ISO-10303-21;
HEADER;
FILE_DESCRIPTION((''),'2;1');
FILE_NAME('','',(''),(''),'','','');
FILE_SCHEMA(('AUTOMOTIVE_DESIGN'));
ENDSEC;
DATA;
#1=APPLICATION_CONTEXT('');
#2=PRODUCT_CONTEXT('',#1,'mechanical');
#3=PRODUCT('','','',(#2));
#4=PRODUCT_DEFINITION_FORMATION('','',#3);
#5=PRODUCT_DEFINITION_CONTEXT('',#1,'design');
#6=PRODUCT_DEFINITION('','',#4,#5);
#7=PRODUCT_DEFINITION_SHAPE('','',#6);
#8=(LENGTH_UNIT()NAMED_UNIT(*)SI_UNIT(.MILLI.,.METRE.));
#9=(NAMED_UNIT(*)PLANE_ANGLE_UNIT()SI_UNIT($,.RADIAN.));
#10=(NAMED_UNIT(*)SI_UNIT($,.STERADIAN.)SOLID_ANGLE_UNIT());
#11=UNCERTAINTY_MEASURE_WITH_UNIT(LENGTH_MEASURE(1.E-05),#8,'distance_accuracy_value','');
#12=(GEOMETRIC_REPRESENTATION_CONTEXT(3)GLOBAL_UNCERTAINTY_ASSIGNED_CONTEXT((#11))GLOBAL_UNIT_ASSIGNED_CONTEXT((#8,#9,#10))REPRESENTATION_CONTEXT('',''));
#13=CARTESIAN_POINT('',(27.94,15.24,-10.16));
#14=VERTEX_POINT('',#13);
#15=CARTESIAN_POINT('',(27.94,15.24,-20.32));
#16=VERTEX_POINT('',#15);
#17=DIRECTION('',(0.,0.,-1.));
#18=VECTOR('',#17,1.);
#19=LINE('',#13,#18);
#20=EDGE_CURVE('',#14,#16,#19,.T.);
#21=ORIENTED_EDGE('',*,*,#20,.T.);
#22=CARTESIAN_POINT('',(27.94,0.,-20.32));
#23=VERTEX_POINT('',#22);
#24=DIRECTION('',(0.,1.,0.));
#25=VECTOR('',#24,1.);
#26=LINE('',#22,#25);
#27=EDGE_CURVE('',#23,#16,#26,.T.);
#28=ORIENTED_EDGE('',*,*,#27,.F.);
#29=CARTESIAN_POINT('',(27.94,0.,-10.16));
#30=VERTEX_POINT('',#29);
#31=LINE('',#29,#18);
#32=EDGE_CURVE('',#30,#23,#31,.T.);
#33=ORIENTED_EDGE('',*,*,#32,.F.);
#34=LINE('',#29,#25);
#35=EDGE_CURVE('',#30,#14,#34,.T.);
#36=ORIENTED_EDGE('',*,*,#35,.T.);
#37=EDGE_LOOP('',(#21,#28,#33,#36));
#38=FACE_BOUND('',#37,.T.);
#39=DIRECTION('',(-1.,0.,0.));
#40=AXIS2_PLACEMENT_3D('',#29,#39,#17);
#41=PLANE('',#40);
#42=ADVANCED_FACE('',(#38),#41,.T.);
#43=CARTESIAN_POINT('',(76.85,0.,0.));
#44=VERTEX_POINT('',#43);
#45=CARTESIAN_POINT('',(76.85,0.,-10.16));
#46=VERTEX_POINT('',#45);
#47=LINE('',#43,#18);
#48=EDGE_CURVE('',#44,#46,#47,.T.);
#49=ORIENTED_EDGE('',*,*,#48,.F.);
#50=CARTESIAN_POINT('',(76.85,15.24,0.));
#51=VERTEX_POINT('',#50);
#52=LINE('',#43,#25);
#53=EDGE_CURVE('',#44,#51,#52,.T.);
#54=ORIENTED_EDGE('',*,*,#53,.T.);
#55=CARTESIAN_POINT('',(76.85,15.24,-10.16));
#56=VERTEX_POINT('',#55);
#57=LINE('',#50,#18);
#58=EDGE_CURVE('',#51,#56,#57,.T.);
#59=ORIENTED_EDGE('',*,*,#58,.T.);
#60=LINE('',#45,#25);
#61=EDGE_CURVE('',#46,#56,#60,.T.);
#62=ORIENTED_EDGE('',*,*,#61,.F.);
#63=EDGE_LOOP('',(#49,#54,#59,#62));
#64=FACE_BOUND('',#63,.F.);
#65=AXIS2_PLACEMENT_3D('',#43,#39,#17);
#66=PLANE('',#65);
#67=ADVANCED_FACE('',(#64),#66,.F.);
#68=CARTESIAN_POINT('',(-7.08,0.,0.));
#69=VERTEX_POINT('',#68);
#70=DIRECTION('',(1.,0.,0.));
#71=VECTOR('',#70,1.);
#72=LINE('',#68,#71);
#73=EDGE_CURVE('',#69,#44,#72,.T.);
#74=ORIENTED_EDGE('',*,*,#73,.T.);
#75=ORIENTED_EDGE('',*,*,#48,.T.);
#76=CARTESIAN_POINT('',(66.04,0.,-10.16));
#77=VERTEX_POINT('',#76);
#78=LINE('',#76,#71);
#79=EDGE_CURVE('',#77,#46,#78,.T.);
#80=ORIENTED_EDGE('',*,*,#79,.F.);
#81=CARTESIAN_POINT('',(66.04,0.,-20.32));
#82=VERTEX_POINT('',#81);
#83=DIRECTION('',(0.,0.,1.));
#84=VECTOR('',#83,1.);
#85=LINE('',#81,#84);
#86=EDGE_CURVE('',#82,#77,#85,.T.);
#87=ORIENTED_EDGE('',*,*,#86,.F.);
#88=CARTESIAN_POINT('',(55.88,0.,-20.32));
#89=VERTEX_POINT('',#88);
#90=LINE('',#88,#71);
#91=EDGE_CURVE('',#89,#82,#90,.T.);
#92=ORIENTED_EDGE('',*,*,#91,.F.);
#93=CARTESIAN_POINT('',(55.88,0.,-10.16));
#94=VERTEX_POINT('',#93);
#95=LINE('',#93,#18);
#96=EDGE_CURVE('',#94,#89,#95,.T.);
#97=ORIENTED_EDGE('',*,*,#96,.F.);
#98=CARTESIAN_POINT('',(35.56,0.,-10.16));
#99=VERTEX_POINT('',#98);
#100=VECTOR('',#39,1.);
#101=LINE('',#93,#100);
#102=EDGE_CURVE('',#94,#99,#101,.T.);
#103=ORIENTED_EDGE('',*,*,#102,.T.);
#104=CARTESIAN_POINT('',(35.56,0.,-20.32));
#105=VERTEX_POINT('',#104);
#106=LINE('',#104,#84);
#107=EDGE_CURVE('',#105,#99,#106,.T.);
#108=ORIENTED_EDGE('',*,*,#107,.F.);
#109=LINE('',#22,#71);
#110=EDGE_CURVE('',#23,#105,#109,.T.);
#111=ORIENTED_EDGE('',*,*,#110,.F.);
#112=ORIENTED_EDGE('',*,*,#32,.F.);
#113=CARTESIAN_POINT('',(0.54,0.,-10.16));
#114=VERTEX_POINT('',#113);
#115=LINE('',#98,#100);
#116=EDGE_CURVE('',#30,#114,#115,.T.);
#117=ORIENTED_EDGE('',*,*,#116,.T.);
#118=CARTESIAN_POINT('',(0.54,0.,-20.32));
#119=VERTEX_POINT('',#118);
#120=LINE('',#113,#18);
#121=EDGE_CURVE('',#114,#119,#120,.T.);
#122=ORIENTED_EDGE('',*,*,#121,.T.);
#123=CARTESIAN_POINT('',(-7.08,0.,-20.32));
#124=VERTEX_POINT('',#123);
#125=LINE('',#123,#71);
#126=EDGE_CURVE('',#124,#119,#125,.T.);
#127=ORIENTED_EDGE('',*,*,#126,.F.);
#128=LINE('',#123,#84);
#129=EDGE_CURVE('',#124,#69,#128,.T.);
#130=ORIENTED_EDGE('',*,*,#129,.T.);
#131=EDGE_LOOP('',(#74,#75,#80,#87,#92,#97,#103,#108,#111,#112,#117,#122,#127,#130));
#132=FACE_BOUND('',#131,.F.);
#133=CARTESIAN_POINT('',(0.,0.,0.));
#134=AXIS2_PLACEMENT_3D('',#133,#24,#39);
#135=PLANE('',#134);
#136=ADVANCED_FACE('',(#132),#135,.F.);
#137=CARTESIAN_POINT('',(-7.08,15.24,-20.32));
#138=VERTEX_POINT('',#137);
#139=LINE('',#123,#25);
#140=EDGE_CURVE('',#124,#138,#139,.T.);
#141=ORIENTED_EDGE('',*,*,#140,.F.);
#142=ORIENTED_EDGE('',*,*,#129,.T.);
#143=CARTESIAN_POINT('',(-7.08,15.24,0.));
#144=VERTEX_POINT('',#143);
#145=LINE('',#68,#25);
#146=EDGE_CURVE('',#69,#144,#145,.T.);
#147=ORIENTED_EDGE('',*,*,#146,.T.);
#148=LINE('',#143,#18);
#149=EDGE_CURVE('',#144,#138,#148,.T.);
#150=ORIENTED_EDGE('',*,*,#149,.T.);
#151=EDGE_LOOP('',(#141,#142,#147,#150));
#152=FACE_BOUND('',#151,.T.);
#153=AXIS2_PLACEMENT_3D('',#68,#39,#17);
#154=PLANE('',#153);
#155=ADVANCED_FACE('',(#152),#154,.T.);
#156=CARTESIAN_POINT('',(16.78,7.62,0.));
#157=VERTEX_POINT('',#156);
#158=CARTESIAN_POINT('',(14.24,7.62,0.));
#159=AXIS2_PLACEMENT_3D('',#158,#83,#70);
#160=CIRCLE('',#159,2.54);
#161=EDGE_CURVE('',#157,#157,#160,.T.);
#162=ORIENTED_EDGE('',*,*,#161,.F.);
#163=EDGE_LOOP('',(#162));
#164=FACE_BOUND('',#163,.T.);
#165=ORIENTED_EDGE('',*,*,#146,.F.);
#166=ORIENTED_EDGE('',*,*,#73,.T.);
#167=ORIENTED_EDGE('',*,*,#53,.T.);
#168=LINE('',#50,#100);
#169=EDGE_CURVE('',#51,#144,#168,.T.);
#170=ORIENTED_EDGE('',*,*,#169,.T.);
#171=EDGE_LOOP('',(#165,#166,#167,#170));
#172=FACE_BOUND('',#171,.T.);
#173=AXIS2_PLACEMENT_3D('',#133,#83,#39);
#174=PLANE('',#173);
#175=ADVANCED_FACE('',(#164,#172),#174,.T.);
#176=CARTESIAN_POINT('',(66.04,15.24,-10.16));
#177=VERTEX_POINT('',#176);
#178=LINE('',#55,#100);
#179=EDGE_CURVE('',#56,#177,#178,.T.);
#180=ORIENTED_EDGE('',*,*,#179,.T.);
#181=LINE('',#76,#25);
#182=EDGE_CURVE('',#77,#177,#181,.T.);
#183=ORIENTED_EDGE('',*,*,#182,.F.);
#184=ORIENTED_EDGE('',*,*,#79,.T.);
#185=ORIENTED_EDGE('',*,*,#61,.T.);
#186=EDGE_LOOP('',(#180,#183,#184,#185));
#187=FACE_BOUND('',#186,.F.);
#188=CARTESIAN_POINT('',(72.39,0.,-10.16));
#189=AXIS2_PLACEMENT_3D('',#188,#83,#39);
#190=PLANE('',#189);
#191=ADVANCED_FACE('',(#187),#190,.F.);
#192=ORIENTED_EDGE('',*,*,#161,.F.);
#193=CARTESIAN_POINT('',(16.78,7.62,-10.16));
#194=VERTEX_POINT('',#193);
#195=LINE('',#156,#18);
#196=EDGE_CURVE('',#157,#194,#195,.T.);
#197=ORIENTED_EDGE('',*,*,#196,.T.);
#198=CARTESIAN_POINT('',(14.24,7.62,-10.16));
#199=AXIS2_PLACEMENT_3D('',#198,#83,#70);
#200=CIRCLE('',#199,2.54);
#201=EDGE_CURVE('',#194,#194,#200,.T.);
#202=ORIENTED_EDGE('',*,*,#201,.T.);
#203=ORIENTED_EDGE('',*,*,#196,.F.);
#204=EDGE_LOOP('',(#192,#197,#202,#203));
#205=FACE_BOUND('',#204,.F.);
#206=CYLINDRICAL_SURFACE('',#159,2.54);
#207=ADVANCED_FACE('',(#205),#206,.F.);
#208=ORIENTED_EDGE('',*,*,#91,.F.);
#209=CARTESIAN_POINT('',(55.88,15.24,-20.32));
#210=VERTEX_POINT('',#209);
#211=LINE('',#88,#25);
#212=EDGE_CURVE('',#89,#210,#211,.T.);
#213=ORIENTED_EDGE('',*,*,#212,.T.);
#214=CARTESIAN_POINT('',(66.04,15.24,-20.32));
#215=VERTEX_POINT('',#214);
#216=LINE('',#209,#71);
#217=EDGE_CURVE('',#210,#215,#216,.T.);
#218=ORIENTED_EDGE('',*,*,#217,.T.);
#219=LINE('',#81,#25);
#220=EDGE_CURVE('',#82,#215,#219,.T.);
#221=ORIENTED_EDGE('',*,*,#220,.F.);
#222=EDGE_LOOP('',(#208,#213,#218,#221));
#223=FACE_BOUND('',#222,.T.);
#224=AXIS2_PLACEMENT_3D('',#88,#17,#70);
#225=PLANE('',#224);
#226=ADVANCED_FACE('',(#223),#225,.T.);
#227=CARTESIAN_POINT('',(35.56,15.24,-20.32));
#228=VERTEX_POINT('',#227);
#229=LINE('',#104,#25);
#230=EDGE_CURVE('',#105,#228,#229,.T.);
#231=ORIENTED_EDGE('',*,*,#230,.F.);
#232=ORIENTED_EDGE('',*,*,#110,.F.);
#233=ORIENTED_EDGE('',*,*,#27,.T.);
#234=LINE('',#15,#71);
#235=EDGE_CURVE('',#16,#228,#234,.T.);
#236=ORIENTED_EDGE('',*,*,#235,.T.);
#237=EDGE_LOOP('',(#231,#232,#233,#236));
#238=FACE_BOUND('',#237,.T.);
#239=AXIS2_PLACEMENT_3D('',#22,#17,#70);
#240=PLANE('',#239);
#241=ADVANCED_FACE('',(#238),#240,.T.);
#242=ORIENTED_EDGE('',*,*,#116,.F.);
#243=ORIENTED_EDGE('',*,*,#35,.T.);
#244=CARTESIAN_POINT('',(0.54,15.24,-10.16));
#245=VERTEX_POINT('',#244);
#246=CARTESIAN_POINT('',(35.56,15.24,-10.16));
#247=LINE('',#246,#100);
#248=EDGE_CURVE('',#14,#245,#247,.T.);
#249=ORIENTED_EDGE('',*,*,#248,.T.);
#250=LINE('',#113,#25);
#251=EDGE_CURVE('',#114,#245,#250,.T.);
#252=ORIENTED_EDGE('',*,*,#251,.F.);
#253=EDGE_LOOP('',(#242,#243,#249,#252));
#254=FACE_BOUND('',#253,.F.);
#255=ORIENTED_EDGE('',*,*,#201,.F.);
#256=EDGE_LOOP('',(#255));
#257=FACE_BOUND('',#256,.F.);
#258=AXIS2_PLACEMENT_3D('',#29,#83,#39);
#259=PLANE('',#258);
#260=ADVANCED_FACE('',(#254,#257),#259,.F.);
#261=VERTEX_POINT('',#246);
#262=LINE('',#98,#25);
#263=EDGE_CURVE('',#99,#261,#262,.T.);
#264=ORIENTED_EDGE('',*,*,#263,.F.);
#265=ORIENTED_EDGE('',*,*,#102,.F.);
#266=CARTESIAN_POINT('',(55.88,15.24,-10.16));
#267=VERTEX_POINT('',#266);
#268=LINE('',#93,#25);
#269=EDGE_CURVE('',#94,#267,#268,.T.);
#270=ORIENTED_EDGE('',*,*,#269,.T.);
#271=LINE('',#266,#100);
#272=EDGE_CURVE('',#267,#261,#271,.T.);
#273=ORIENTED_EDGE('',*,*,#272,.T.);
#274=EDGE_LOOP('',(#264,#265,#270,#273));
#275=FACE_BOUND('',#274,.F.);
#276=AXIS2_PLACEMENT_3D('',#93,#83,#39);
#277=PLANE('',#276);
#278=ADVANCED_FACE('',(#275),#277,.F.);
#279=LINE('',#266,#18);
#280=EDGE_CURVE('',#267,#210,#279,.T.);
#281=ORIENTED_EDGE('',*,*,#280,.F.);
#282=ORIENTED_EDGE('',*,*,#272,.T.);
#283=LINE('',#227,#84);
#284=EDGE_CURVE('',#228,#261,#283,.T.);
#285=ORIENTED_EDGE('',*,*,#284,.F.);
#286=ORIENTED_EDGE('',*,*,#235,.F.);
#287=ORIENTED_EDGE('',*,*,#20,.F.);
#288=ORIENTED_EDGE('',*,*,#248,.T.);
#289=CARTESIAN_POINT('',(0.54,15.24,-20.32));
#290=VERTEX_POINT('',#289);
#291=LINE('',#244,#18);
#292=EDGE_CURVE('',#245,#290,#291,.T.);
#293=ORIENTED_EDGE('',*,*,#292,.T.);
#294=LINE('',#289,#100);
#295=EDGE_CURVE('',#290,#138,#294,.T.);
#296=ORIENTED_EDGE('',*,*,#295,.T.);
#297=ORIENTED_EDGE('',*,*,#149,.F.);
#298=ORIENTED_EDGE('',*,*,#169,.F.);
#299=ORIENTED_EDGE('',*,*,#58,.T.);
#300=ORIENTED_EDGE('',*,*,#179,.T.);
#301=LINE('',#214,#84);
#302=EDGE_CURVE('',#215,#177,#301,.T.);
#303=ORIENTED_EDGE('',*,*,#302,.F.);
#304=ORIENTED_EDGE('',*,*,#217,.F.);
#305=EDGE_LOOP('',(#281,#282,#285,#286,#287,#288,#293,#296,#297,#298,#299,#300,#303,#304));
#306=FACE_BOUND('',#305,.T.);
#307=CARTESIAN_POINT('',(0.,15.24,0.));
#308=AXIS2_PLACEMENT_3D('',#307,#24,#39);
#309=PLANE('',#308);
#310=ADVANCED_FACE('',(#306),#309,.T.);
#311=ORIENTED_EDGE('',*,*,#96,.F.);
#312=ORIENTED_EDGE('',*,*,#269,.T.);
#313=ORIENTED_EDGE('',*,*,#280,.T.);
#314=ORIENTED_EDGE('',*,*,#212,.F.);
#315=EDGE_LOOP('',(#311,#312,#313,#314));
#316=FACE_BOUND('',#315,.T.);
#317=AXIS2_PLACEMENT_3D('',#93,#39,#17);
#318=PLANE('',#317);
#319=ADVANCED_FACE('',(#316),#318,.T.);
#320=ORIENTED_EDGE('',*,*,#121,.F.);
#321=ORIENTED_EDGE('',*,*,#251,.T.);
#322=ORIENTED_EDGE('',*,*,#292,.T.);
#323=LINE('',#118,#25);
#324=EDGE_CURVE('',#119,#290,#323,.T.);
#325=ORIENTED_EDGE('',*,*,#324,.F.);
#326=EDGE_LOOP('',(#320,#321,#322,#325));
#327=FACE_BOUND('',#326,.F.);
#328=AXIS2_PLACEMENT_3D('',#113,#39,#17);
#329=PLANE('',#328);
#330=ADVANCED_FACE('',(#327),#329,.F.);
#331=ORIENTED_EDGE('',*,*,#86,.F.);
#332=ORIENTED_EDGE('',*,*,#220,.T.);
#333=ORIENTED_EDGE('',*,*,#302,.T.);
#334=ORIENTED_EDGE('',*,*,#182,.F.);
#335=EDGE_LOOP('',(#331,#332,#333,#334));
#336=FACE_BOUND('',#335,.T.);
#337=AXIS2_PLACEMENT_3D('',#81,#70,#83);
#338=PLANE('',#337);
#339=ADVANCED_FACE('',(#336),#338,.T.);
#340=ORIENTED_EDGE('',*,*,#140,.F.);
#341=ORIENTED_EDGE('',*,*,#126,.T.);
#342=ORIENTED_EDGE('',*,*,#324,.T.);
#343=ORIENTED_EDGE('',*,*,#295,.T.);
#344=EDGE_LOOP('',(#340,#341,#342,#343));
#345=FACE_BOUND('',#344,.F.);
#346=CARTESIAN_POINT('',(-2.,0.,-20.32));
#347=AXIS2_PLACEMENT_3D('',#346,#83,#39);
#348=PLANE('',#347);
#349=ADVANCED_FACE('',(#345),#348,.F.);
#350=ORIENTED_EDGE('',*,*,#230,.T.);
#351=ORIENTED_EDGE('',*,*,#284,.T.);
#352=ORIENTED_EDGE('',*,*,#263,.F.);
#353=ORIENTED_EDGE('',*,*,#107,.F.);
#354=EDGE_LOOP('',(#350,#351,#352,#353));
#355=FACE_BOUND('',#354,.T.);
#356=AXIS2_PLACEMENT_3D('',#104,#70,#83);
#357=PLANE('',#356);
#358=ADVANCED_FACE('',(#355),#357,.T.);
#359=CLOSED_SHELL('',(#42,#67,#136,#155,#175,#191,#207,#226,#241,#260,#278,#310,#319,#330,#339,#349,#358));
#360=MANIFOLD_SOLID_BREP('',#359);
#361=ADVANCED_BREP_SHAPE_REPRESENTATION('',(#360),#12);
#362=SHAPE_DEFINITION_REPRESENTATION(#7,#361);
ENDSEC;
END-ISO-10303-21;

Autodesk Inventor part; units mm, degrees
ref_plane "YZ Plane" through (0, 0, 0) normal (1, 0, 0) x (0, 1, 0)
ref_plane "XZ Plane" through (0, 0, 0) normal (0, 1, 0) x (-1, 0, 0)
ref_plane "XY Plane" through (0, 0, 0) normal (0, 0, 1) x (1, 0, 0)
sketch "Sketch1" plane through (0, 0, 0) normal (0, 1, 0) x (-1, 0, 0)
  line L0 (0, 0) -> (-30.48, 0)
  line L1 (-35.56, -10.16) -> (-0.54, -10.16)
  line L2 (-0.54, -10.16) -> (-0.54, -20.32)
  line L3 (-0.54, -20.32) -> (2, -20.32)
  line L4 (-35.56, -10.16) -> (-27.94, -10.16)
  line L5 (-27.94, -10.16) -> (-27.94, -20.32)
  line L6 (-27.94, -20.32) -> (-35.56, -20.32)
  line L7 (-35.56, -20.32) -> (-35.56, -10.16)
  line L8 (-0.54, -10.16) -> (-0.54, 0) construction
  line L9 (-27.94, -10.16) -> (-27.94, 0) construction
  line L10 (-27.94, -10.16) -> (-0.54, -10.16) construction
  line L11 (-0.54, -10.16) -> (-0.54, -60.96) construction
  line L12 (-0.54, -60.96) -> (-27.94, -60.96) construction
  line L13 (-27.94, -60.96) -> (-27.94, -10.16) construction
  line L14 (-66.04, -10.16) -> (-91.44, -10.16) construction
  line L15 (-91.44, -10.16) -> (-91.44, -60.96) construction
  line L16 (-91.44, -60.96) -> (-66.04, -60.96) construction
  line L17 (-66.04, -60.96) -> (-66.04, -10.16) construction
  line L18 (-30.48, 0) -> (-72.39, 0)
  line L19 (-72.39, 0) -> (-76.85, 0)
  line L20 (-76.85, 0) -> (-76.85, -10.16)
  line L21 (-76.85, -10.16) -> (-72.39, -10.16)
  line L22 (-55.88, -10.16) -> (-55.88, -20.32)
  line L23 (-55.88, -20.32) -> (-66.04, -20.32)
  line L24 (-66.04, -20.32) -> (-66.04, -10.16)
  line L25 (-72.39, -10.16) -> (-66.04, -10.16)
  line L26 (-55.88, -10.16) -> (-30.48, -10.16)
  line L27 (0, 0) -> (7.08, 0)
  line L28 (7.08, 0) -> (7.08, -17.78)
  line L29 (2, -20.32) -> (7.08, -20.32)
  line L30 (7.08, -20.32) -> (7.08, -17.78)
  point P0 (-66.04, 0)
  point P1 (-35.56, -10.16)
  point P2 (-2.54, -10.16)
  dimension "d4" = 7.62
  dimension "d5" = 10.16
  dimension "d6" = 50.8
  dimension "d9" = 38.1
  dimension "d10" = 27.4
  dimension "d19" = 10.16
  dimension "d20" = 10.16
extrude "Extrusion1" add sketch "Sketch1" along normal blind 15.24
sketch "Sketch2" plane through (-7.08, 0, 0) normal (0, 0, 1) x (1, 0, 0)
  line L0 (0, 15.24) -> (83.93, 15.24) projected
  circle A0 centre (21.32, 7.62) radius 2.54
  point P0 (7.08, 0)
  point P1 (21.32, 15.24)
  dimension "d21" = 5.08
extrude "Extrusion2" cut sketch "Sketch2" against normal through all
properties part number "Elevator Side Holders"
